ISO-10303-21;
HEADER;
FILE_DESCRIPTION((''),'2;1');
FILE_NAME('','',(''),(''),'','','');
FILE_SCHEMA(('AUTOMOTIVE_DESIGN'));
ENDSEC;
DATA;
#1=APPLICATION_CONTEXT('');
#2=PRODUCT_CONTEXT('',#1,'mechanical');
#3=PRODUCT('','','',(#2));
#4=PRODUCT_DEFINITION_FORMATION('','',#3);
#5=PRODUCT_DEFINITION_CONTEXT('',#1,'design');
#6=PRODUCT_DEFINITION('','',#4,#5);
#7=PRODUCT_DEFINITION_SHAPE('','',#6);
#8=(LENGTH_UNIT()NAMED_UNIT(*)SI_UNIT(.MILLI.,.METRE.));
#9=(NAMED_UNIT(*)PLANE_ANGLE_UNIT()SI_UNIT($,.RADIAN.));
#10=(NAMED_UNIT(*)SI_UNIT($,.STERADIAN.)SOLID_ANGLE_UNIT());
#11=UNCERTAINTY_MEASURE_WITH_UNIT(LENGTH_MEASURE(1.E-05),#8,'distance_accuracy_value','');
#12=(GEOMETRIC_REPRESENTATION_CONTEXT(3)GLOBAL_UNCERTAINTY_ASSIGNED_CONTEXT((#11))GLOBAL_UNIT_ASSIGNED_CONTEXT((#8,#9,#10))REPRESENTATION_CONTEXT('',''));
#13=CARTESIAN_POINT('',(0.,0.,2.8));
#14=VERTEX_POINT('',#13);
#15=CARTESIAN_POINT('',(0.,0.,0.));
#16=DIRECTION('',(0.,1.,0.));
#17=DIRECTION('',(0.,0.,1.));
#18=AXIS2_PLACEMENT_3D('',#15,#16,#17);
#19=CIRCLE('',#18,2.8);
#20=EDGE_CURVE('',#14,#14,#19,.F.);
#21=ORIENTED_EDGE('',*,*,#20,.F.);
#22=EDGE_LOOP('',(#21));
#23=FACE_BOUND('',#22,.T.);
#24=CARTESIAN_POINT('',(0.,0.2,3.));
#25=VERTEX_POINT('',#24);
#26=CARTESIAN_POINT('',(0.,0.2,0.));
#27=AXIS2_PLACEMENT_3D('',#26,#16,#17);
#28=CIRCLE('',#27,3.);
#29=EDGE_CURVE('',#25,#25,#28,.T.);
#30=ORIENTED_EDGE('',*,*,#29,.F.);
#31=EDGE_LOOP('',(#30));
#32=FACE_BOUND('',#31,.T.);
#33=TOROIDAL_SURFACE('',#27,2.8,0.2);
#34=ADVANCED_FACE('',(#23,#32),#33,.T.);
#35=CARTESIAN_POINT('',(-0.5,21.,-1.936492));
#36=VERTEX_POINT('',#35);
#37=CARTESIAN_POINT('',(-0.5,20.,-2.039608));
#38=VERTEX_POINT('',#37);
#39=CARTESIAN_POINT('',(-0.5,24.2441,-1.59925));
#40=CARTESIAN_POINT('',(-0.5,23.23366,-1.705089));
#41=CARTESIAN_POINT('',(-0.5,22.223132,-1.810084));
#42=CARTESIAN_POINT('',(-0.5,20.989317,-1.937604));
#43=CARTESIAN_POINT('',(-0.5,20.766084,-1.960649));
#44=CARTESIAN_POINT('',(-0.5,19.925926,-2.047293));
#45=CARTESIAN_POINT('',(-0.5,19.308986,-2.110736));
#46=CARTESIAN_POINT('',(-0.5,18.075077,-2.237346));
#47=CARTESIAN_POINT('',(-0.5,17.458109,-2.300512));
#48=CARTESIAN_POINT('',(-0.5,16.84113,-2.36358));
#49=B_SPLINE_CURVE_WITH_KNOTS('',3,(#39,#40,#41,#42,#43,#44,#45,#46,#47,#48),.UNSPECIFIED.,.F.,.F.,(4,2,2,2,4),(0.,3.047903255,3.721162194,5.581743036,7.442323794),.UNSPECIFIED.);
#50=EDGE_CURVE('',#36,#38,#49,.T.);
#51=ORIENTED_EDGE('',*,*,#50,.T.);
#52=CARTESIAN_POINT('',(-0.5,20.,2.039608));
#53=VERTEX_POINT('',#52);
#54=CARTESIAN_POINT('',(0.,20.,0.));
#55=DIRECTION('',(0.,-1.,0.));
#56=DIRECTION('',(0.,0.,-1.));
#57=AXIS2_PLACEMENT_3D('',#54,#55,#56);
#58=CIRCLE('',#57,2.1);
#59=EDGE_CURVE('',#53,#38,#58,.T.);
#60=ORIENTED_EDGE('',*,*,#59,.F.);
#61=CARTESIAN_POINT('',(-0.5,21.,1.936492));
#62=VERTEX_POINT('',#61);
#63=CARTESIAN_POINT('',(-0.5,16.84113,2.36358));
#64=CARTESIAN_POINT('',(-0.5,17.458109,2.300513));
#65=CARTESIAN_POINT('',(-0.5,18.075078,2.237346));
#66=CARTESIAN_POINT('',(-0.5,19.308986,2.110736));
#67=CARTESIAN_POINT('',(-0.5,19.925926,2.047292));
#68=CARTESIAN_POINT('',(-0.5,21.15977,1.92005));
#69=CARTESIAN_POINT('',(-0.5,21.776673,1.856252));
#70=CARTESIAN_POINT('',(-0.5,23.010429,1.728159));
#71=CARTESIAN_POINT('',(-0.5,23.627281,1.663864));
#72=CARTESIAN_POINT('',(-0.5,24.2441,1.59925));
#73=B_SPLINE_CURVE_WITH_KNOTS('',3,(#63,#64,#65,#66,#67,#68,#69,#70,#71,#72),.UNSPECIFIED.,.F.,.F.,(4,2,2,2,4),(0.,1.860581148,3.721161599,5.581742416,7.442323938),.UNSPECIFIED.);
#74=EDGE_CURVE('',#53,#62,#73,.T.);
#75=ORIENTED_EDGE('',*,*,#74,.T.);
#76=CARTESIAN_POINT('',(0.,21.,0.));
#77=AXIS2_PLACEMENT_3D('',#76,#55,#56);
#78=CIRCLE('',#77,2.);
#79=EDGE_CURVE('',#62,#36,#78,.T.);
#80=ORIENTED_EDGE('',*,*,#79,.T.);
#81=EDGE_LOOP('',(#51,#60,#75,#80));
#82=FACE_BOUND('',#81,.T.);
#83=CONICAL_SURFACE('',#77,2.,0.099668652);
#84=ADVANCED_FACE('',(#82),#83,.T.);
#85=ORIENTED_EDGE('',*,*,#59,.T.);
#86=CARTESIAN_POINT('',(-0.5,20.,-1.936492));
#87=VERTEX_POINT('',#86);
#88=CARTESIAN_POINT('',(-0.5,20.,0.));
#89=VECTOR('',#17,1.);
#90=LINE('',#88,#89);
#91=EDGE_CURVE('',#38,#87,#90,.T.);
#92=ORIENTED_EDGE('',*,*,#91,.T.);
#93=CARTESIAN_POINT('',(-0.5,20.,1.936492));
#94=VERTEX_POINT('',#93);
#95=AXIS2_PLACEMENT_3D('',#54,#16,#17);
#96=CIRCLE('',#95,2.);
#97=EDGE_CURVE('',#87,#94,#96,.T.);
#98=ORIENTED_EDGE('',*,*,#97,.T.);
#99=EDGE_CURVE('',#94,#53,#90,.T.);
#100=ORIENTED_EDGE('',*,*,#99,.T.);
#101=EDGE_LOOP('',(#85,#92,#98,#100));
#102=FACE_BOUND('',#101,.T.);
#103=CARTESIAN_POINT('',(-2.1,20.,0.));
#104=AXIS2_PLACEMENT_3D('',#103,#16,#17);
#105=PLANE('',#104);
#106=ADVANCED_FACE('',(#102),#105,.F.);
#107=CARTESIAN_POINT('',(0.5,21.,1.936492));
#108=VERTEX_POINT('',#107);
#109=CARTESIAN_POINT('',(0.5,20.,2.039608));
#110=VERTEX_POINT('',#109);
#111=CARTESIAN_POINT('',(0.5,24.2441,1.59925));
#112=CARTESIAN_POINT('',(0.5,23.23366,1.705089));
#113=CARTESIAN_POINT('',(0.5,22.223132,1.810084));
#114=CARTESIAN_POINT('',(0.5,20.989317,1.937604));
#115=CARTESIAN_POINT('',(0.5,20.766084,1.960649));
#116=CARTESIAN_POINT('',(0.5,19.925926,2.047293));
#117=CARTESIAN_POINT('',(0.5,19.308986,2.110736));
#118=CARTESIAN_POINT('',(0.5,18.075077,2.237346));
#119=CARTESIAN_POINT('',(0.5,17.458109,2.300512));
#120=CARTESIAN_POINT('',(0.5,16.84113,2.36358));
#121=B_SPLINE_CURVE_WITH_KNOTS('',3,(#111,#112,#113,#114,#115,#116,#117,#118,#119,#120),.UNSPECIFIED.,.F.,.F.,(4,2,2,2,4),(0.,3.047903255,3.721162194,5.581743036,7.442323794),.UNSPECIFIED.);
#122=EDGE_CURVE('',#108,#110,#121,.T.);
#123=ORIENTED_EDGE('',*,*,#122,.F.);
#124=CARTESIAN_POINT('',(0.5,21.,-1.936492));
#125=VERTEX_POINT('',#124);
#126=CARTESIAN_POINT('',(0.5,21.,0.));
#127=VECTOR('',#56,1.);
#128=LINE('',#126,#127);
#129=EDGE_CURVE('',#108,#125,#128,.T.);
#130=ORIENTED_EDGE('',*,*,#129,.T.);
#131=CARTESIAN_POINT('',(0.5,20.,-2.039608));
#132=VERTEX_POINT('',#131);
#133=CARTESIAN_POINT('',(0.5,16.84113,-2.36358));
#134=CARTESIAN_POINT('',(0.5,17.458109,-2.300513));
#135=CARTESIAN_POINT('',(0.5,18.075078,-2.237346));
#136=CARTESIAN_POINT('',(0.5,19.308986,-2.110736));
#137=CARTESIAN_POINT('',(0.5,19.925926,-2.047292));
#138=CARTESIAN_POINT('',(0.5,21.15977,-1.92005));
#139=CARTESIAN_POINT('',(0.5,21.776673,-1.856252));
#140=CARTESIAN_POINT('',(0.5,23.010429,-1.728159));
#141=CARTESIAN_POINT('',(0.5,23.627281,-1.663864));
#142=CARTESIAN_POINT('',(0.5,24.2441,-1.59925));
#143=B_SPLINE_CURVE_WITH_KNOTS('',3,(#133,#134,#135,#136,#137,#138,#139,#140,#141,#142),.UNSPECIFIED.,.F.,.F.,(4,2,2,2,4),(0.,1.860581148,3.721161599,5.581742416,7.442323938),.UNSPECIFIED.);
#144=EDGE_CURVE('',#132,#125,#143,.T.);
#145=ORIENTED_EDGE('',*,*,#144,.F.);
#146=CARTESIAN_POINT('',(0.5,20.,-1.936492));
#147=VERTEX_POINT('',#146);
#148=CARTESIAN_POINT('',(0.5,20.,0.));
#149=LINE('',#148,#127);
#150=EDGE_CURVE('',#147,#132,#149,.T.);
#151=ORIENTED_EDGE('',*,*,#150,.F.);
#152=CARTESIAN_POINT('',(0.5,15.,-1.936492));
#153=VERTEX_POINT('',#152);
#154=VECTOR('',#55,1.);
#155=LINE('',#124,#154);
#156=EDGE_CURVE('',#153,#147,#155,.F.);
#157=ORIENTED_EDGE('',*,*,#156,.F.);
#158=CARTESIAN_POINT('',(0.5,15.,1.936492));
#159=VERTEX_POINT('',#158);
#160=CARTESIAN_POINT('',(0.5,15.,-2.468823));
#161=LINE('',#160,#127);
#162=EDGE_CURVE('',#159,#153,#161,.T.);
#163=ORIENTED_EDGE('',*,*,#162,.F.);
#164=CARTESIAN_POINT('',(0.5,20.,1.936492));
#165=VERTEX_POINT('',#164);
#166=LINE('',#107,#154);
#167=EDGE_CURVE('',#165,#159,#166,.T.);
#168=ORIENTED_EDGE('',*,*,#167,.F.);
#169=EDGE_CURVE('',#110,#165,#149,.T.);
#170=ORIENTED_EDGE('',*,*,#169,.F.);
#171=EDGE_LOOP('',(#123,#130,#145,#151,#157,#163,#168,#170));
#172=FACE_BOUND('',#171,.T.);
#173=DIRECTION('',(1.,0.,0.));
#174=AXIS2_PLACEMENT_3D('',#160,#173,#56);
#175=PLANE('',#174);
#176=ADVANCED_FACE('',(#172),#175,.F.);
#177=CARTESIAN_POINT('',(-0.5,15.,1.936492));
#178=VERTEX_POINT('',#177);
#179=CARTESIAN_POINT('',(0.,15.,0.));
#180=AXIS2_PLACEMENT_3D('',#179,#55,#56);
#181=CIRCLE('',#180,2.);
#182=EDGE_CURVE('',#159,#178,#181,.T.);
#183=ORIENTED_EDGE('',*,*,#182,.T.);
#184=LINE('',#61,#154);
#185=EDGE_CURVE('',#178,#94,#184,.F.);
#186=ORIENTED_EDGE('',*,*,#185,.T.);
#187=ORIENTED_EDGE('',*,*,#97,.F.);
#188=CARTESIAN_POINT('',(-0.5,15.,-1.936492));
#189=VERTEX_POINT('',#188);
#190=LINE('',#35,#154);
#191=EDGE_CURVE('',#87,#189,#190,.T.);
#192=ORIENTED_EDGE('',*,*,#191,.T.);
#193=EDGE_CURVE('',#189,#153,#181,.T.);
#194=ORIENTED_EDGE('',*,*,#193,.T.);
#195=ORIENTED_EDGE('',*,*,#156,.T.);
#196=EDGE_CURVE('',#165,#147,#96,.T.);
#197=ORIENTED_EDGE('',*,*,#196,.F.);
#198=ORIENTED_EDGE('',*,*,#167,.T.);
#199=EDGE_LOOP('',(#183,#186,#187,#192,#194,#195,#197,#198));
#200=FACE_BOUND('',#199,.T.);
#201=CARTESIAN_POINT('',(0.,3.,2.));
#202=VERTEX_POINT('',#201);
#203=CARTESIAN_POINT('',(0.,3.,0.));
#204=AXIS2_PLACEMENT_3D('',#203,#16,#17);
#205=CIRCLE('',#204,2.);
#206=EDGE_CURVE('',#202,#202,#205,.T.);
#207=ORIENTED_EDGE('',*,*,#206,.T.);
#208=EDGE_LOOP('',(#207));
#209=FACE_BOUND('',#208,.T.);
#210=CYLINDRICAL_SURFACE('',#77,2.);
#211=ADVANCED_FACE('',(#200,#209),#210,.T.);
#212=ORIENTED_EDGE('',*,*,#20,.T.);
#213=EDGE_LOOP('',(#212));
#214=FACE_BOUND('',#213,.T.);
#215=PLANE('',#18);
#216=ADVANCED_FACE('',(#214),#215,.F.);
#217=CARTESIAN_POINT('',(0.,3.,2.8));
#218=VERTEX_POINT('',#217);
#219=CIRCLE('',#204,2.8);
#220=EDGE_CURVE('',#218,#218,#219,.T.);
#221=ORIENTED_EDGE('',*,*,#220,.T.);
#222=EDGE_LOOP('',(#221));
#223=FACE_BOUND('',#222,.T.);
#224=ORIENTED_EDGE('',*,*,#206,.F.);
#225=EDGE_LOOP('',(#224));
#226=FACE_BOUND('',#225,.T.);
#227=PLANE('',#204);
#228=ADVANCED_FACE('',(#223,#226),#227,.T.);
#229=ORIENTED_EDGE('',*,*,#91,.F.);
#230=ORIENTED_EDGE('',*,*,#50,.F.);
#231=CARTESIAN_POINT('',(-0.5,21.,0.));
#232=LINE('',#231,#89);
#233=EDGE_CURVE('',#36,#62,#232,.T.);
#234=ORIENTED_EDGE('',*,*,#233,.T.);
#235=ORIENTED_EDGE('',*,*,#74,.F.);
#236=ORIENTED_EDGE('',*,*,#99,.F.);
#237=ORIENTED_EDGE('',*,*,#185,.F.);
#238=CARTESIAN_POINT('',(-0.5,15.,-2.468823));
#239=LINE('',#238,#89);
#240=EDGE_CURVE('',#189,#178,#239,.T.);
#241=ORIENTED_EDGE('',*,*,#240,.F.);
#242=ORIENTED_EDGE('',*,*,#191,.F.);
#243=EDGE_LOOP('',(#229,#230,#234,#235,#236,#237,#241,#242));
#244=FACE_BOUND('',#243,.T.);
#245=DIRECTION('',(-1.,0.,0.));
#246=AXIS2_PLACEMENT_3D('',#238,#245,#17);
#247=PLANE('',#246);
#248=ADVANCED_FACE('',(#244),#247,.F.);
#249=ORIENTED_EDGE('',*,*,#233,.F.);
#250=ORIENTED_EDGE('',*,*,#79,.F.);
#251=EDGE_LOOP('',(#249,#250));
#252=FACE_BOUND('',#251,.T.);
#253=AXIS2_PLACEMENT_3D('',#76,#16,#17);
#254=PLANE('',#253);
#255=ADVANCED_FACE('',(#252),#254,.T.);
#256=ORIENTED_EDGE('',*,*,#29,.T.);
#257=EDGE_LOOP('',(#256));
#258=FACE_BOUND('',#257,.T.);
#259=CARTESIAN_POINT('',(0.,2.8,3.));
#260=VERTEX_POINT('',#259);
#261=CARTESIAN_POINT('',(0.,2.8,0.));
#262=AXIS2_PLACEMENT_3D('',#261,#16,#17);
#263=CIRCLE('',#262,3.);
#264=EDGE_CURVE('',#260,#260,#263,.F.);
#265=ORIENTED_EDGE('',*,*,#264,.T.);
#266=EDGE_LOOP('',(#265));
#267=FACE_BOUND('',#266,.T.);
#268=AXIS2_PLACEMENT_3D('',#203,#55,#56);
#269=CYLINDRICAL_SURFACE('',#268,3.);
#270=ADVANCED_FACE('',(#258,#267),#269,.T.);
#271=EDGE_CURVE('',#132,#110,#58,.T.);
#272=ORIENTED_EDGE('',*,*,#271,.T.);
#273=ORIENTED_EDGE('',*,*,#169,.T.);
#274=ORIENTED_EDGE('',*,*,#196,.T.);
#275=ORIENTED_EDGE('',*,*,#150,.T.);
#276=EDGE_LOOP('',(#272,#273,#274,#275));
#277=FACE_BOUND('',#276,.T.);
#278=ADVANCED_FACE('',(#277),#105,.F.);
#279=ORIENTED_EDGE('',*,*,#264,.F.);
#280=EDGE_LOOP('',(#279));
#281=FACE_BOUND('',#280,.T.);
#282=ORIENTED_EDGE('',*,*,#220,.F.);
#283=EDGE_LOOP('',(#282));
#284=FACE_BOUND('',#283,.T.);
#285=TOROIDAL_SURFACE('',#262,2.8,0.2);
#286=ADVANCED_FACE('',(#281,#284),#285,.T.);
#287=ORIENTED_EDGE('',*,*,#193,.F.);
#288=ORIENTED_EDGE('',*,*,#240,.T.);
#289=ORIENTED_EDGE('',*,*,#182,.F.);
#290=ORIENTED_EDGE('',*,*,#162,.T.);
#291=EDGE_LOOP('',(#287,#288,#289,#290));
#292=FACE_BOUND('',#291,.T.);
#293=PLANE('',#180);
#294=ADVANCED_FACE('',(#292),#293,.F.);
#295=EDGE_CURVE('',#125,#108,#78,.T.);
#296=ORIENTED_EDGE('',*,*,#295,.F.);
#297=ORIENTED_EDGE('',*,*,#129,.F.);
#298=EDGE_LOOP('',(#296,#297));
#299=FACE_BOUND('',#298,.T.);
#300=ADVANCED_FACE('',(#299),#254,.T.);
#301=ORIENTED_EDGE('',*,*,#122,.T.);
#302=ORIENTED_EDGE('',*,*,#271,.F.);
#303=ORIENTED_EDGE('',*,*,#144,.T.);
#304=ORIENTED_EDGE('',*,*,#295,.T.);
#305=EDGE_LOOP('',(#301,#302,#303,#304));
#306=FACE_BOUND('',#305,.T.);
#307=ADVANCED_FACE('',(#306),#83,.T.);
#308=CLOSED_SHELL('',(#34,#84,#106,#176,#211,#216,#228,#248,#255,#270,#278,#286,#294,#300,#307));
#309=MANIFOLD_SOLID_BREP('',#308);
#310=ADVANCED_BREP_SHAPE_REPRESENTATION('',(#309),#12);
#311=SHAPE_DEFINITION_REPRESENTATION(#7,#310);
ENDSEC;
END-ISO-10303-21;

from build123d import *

# Parameters (mm, degrees)
SKETCH_1_R          = 3
EXTRUDE_1_DEPTH     = 3
SKETCH_2_R          = 2
EXTRUDE_2_DEPTH     = 18
SKETCH_4_W          = 1
SKETCH_4_H          = 4.937645572
CUT_EXTRUDE_1_DEPTH = 6
FILLET_1_R          = 0.2


with BuildPart() as part:
    # 草图1 → 凸台-拉伸1 (new body)
    with BuildSketch(Plane(origin=(0, 0, 0), x_dir=(1, 0, 0), z_dir=(0, 1, 0))):
        with Locations(Location((0, 0, 0), (0, 0, 270))):
            Circle(SKETCH_1_R)
    extrude(amount=EXTRUDE_1_DEPTH)

    # 草图2 → 凸台-拉伸2 (add)
    with BuildSketch(Plane(origin=(0, 3, 0), x_dir=(1, 0, 0), z_dir=(0, 1, 0))):
        with Locations(Location((0, 0, 0), (0, 0, 270))):
            Circle(SKETCH_2_R)
    extrude(amount=EXTRUDE_2_DEPTH)

    # 草图3 → 旋转1 (revolve)
    with BuildSketch(Plane.XY, mode=Mode.PRIVATE) as revolve_1_sk:
        Polygon((0, 21), (-2, 21), (-2.1, 20), (0, 20), align=None)
    revolve(revolve_1_sk.sketch.rotate(Axis((0, 20, 0), (0, 1, 0)), 90), axis=Axis((0, 20, 0), (0, 1, 0)))

    # 草图4 → 切除-拉伸1 (cut)
    with BuildSketch(Plane(origin=(0, 21, 0), x_dir=(1, 0, 0), z_dir=(0, 1, 0))):
        Rectangle(SKETCH_4_W, SKETCH_4_H)
    extrude(amount=-CUT_EXTRUDE_1_DEPTH, mode=Mode.SUBTRACT)

    # 圆角1
    fillet_1_edges = [part.edges().sort_by_distance(p)[0] for p in [
        (0, 0, -3),
        (0, 3, -3),
    ]]
    fillet(fillet_1_edges, radius=FILLET_1_R)


solid = part.part
